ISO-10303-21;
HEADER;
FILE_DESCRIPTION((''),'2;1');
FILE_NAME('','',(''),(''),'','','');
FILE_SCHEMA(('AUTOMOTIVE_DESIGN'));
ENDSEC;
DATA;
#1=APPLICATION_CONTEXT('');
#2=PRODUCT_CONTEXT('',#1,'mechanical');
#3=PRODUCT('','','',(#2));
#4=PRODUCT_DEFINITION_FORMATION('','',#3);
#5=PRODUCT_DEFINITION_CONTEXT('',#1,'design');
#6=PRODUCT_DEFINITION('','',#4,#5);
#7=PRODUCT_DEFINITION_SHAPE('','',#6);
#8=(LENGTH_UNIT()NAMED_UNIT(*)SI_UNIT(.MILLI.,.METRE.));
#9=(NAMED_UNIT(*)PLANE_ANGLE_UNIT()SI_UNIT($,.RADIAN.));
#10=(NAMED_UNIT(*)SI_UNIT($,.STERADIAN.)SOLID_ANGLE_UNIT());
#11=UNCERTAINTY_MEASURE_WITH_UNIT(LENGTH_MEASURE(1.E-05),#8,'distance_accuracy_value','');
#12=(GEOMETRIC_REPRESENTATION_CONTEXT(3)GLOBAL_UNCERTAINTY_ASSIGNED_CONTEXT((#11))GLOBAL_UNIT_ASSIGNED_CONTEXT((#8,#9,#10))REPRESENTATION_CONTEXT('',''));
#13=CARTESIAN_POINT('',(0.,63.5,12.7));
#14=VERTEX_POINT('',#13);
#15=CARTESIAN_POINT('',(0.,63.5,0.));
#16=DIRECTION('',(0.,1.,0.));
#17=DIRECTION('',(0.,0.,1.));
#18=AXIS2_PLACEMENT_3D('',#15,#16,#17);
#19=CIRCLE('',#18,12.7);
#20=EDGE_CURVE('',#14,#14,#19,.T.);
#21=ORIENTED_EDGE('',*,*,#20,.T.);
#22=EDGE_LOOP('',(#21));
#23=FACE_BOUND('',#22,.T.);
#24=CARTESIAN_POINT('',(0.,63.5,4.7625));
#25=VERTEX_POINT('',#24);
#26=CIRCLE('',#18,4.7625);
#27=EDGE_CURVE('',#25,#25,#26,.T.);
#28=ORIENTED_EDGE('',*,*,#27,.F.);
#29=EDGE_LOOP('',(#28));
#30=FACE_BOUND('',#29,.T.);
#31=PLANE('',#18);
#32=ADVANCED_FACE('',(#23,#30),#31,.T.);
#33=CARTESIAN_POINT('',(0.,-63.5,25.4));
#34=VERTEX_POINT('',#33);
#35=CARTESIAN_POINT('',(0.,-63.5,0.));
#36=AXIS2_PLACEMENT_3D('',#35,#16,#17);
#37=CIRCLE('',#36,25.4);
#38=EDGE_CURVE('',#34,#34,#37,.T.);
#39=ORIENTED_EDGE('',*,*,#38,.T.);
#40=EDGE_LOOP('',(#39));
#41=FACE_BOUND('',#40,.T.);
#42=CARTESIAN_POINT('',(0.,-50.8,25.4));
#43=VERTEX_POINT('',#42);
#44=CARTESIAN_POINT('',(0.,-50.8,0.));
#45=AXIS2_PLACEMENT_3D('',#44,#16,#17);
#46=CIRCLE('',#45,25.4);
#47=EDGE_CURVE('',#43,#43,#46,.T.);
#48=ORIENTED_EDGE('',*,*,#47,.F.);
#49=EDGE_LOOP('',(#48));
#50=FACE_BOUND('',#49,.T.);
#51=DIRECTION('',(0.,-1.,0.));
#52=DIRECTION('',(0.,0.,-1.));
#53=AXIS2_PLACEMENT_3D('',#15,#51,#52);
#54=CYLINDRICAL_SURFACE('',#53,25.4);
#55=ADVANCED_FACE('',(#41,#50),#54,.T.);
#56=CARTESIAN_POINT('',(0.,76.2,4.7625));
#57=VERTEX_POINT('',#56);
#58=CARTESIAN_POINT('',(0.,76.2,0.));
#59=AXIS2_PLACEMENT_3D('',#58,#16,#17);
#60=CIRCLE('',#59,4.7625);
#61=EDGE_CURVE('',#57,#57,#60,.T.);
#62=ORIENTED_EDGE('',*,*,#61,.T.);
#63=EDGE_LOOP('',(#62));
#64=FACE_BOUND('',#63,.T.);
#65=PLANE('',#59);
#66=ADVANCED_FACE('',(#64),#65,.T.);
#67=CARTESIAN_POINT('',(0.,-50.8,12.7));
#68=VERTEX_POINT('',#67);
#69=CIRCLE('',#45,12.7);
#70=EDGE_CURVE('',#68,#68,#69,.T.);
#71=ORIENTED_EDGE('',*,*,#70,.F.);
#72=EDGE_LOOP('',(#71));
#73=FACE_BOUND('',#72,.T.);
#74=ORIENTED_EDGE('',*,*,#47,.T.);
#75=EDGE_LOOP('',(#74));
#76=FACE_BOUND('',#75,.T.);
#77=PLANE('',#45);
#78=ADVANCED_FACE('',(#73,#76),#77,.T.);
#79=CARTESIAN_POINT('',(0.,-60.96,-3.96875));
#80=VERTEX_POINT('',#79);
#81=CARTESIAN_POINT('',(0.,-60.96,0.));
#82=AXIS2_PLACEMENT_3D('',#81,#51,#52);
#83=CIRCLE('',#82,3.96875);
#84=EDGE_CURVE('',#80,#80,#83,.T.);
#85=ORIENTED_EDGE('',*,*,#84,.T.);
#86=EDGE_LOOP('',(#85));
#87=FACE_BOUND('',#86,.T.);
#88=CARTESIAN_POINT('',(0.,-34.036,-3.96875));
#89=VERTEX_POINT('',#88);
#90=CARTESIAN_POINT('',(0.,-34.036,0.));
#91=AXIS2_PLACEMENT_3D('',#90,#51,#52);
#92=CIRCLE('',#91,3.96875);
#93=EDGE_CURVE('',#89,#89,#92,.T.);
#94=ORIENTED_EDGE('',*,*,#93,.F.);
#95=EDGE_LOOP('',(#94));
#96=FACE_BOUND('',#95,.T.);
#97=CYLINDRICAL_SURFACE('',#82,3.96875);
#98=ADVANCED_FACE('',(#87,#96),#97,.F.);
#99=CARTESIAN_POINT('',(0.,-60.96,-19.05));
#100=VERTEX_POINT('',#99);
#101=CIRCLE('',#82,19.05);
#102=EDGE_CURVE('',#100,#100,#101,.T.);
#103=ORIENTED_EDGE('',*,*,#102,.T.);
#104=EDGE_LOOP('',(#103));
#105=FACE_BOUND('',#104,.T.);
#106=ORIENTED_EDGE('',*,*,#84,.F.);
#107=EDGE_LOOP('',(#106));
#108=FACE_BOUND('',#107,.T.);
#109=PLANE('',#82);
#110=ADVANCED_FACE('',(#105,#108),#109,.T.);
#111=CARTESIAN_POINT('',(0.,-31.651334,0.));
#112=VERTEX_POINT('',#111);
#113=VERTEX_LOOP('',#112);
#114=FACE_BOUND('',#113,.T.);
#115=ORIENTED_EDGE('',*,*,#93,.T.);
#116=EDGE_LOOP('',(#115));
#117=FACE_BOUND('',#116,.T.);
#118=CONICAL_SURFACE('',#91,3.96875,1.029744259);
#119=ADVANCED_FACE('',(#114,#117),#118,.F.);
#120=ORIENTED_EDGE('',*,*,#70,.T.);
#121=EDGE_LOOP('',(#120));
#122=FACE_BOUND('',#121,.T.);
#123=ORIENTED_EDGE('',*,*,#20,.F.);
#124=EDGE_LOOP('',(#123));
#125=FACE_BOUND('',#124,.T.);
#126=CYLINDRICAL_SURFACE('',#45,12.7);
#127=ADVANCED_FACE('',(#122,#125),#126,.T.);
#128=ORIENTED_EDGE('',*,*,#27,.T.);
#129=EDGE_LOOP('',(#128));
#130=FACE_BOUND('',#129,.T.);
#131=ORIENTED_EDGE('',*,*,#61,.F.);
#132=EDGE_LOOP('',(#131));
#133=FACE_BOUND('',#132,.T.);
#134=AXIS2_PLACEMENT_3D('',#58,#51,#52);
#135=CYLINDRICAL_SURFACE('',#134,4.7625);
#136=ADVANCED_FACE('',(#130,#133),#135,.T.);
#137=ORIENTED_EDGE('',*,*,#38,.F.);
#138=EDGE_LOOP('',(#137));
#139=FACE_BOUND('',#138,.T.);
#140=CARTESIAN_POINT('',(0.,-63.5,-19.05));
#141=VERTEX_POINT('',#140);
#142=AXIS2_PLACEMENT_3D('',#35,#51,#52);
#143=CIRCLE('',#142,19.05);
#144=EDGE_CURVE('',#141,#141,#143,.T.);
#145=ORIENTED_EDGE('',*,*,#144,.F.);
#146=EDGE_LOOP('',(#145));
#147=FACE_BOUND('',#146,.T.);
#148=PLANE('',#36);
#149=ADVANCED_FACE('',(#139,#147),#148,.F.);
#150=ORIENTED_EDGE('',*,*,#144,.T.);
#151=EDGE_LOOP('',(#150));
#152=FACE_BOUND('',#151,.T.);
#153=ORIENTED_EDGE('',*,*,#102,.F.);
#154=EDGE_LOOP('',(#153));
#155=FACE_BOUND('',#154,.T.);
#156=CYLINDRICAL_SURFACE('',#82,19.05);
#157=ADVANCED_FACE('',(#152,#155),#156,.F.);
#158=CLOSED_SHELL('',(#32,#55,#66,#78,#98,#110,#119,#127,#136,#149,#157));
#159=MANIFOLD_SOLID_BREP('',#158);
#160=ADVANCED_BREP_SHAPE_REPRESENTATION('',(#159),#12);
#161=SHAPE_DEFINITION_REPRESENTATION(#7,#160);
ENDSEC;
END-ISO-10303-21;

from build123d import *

# Parameters (mm, degrees)
SKETCH1_R                   = 25.4
BOSS_EXTRUDE1_DEPTH         = 63.5
SKETCH2_R                   = 25.4
SKETCH2_R_2                 = 12.7
CUT_EXTRUDE1_DEPTH          = 114.3
SKETCH3_R                   = 4.7625
BOSS_EXTRUDE2_DEPTH         = 12.7
SKETCH4_R                   = 19.05
CUT_EXTRUDE2_DEPTH          = 2.54
F_3_8_16_TAPPED_HOLE1_D     = 7.9375
F_3_8_16_TAPPED_HOLE1_DEPTH = 26.924
F_3_8_16_TAPPED_HOLE1_TIP   = 2.384665582


with BuildPart() as part:
    # Sketch1 → Boss-Extrude1 (new body, symmetric)
    with BuildSketch(Plane(origin=(0, 0, 0), x_dir=(1, 0, 0), z_dir=(0, 1, 0))):
        Circle(SKETCH1_R)
    extrude(amount=BOSS_EXTRUDE1_DEPTH, both=True)

    # Sketch2 → Cut-Extrude1 (cut)
    with BuildSketch(Plane(origin=(0, 63.5, 0), x_dir=(1, 0, 0), z_dir=(0, 1, 0))):
        Circle(SKETCH2_R)
        Circle(SKETCH2_R_2, mode=Mode.SUBTRACT)
    extrude(amount=-CUT_EXTRUDE1_DEPTH, mode=Mode.SUBTRACT)

    # Sketch3 → Boss-Extrude2 (add)
    with BuildSketch(Plane(origin=(0, 63.5, 0), x_dir=(1, 0, 0), z_dir=(0, 1, 0))):
        Circle(SKETCH3_R)
    extrude(amount=BOSS_EXTRUDE2_DEPTH)

    # Sketch4 → Cut-Extrude2 (cut)
    with BuildSketch(Plane.XZ.offset(63.5)):
        Circle(SKETCH4_R)
    extrude(amount=-CUT_EXTRUDE2_DEPTH, mode=Mode.SUBTRACT)

    # 3/8-16 Tapped Hole1
    with Locations(Plane(origin=(0, -60.96, 0), x_dir=(-1, 0, 0), z_dir=(0, -1, 0))):
        with Locations((0, 0)):
            Hole(F_3_8_16_TAPPED_HOLE1_D / 2, depth=F_3_8_16_TAPPED_HOLE1_DEPTH)
            with Locations((0, 0, -(F_3_8_16_TAPPED_HOLE1_DEPTH + F_3_8_16_TAPPED_HOLE1_TIP / 2))):  # 118° drill point
                Cone(0, F_3_8_16_TAPPED_HOLE1_D / 2, F_3_8_16_TAPPED_HOLE1_TIP, mode=Mode.SUBTRACT)


solid = part.part
